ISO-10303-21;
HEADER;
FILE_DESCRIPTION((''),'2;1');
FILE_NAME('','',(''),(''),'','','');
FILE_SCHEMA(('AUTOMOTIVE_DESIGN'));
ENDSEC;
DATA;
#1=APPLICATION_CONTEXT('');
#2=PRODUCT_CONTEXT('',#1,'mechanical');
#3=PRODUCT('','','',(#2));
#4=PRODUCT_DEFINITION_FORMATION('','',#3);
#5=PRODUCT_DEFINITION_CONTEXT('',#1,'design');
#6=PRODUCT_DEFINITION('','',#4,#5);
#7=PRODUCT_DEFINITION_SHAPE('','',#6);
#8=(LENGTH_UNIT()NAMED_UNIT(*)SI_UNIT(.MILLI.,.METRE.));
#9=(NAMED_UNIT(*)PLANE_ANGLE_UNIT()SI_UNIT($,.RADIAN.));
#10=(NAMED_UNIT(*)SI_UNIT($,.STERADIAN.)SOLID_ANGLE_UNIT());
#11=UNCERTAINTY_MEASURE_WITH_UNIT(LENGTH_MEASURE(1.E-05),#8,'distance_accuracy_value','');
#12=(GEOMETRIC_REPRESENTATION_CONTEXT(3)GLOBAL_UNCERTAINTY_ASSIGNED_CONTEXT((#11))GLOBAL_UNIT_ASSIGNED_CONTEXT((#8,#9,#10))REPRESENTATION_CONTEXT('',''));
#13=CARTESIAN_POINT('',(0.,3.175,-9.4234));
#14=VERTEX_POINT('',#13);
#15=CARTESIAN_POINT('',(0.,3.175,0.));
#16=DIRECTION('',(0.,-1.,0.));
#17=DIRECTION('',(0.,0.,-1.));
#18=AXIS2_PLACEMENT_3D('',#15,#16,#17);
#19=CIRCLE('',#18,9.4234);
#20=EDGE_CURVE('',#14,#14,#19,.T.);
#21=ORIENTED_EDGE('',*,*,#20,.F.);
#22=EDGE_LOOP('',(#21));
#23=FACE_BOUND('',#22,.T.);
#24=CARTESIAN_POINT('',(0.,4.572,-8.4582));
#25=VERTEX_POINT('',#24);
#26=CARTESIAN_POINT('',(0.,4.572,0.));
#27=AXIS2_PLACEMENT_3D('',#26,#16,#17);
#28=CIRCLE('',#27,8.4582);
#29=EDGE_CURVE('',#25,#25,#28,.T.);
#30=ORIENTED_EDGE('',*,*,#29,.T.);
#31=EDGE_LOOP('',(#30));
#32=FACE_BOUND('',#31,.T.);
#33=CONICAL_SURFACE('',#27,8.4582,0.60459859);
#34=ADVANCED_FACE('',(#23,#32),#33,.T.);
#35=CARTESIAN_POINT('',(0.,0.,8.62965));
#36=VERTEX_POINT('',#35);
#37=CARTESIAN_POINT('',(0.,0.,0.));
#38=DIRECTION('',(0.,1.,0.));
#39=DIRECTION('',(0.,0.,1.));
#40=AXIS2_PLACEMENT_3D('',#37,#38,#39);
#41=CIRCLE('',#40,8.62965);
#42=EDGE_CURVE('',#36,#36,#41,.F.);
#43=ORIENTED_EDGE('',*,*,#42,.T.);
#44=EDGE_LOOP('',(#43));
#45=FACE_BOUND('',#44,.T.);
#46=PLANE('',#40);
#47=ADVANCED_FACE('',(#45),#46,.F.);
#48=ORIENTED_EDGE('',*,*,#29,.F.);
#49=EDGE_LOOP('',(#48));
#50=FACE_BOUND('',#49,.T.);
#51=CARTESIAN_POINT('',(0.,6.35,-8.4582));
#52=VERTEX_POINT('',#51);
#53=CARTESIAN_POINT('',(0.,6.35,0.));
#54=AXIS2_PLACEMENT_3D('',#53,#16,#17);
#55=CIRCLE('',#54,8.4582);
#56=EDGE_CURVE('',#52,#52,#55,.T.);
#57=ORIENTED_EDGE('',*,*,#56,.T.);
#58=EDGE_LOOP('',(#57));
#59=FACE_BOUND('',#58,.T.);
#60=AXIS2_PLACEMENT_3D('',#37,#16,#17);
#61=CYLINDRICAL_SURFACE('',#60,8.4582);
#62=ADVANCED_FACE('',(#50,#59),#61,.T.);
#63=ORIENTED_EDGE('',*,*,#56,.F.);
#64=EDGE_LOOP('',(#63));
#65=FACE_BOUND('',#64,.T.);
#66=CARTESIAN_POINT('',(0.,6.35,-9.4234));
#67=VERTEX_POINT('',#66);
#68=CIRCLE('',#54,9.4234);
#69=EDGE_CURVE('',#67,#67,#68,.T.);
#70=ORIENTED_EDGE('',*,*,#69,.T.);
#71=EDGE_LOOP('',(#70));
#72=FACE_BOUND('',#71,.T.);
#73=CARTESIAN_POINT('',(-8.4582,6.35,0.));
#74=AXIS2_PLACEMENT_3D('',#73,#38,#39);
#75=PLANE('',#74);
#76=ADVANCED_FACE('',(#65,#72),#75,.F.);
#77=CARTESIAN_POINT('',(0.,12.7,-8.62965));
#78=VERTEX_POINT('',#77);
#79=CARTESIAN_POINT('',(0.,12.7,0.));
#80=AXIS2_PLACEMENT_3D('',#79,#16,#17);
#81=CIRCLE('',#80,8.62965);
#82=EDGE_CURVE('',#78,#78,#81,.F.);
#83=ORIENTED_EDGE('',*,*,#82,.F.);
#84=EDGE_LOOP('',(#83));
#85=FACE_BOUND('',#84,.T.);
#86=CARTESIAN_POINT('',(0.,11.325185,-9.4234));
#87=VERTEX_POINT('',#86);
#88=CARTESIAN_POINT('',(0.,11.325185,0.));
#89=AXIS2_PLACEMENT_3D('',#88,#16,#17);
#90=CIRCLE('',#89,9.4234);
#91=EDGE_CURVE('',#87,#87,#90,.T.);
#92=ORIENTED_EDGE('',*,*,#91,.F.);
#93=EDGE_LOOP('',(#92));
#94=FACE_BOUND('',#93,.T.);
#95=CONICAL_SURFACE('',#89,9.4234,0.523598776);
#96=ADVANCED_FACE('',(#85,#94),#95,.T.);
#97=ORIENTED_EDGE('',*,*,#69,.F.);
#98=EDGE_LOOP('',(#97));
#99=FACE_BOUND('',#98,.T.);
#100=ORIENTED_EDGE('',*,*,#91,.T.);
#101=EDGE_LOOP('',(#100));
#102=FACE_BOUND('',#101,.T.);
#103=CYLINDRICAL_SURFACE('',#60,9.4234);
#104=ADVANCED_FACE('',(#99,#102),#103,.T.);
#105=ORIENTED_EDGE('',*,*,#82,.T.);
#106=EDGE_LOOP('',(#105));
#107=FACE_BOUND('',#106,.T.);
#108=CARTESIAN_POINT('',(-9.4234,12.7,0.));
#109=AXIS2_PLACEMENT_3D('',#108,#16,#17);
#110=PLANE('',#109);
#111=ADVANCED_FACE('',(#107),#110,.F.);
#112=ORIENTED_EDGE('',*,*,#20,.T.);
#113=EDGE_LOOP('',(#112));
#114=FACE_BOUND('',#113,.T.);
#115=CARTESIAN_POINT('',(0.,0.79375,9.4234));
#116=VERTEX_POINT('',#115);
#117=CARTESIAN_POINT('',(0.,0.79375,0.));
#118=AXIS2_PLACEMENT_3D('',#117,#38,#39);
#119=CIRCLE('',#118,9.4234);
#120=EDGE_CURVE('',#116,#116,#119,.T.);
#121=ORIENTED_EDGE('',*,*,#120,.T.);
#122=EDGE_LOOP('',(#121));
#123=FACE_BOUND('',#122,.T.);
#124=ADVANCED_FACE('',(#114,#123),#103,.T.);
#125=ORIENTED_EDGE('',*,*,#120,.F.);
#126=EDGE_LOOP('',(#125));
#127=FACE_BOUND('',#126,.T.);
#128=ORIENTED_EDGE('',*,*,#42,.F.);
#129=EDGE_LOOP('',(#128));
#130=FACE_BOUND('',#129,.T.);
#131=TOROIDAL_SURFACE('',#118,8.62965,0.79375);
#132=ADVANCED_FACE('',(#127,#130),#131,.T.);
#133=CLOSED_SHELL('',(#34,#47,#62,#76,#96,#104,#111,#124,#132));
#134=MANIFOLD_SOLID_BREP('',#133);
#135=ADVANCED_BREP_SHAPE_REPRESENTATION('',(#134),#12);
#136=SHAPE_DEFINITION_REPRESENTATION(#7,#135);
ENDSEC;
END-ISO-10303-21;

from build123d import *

# Parameters (mm, degrees)
FILLET1_R      = 0.79375
CHAMFER1_SIZE  = 0.79375
CHAMFER1_SIZE2 = 1.374815329


with BuildPart() as part:
    # Sketch1 → Revolve1 (revolve)
    with BuildSketch(Plane.XY):
        Polygon((0, 0), (-9.4234, 0), (-9.4234, 3.175), (-8.4582, 4.572), (-8.4582, 6.35), (-9.4234, 6.35), (-9.4234, 12.7), (0, 12.7), align=None)
    revolve(axis=Axis((0, 0, 0), (0, 1, 0)))

    # Fillet1
    fillet1_edges = [part.edges().sort_by_distance(p)[0] for p in [
        (9.4234, 0, 0),
    ]]
    fillet(fillet1_edges, radius=FILLET1_R)

    # Chamfer1
    chamfer1_edges = [part.edges().sort_by_distance(p)[0] for p in [
        (9.4234, 12.7, 0),
    ]]
    chamfer1_side = [part.faces().sort_by_distance(p)[0] for p in [
        (0, 12.7, 0),
    ]]
    chamfer(chamfer1_edges, length=CHAMFER1_SIZE, length2=CHAMFER1_SIZE2, reference=chamfer1_side[0])


solid = part.part
